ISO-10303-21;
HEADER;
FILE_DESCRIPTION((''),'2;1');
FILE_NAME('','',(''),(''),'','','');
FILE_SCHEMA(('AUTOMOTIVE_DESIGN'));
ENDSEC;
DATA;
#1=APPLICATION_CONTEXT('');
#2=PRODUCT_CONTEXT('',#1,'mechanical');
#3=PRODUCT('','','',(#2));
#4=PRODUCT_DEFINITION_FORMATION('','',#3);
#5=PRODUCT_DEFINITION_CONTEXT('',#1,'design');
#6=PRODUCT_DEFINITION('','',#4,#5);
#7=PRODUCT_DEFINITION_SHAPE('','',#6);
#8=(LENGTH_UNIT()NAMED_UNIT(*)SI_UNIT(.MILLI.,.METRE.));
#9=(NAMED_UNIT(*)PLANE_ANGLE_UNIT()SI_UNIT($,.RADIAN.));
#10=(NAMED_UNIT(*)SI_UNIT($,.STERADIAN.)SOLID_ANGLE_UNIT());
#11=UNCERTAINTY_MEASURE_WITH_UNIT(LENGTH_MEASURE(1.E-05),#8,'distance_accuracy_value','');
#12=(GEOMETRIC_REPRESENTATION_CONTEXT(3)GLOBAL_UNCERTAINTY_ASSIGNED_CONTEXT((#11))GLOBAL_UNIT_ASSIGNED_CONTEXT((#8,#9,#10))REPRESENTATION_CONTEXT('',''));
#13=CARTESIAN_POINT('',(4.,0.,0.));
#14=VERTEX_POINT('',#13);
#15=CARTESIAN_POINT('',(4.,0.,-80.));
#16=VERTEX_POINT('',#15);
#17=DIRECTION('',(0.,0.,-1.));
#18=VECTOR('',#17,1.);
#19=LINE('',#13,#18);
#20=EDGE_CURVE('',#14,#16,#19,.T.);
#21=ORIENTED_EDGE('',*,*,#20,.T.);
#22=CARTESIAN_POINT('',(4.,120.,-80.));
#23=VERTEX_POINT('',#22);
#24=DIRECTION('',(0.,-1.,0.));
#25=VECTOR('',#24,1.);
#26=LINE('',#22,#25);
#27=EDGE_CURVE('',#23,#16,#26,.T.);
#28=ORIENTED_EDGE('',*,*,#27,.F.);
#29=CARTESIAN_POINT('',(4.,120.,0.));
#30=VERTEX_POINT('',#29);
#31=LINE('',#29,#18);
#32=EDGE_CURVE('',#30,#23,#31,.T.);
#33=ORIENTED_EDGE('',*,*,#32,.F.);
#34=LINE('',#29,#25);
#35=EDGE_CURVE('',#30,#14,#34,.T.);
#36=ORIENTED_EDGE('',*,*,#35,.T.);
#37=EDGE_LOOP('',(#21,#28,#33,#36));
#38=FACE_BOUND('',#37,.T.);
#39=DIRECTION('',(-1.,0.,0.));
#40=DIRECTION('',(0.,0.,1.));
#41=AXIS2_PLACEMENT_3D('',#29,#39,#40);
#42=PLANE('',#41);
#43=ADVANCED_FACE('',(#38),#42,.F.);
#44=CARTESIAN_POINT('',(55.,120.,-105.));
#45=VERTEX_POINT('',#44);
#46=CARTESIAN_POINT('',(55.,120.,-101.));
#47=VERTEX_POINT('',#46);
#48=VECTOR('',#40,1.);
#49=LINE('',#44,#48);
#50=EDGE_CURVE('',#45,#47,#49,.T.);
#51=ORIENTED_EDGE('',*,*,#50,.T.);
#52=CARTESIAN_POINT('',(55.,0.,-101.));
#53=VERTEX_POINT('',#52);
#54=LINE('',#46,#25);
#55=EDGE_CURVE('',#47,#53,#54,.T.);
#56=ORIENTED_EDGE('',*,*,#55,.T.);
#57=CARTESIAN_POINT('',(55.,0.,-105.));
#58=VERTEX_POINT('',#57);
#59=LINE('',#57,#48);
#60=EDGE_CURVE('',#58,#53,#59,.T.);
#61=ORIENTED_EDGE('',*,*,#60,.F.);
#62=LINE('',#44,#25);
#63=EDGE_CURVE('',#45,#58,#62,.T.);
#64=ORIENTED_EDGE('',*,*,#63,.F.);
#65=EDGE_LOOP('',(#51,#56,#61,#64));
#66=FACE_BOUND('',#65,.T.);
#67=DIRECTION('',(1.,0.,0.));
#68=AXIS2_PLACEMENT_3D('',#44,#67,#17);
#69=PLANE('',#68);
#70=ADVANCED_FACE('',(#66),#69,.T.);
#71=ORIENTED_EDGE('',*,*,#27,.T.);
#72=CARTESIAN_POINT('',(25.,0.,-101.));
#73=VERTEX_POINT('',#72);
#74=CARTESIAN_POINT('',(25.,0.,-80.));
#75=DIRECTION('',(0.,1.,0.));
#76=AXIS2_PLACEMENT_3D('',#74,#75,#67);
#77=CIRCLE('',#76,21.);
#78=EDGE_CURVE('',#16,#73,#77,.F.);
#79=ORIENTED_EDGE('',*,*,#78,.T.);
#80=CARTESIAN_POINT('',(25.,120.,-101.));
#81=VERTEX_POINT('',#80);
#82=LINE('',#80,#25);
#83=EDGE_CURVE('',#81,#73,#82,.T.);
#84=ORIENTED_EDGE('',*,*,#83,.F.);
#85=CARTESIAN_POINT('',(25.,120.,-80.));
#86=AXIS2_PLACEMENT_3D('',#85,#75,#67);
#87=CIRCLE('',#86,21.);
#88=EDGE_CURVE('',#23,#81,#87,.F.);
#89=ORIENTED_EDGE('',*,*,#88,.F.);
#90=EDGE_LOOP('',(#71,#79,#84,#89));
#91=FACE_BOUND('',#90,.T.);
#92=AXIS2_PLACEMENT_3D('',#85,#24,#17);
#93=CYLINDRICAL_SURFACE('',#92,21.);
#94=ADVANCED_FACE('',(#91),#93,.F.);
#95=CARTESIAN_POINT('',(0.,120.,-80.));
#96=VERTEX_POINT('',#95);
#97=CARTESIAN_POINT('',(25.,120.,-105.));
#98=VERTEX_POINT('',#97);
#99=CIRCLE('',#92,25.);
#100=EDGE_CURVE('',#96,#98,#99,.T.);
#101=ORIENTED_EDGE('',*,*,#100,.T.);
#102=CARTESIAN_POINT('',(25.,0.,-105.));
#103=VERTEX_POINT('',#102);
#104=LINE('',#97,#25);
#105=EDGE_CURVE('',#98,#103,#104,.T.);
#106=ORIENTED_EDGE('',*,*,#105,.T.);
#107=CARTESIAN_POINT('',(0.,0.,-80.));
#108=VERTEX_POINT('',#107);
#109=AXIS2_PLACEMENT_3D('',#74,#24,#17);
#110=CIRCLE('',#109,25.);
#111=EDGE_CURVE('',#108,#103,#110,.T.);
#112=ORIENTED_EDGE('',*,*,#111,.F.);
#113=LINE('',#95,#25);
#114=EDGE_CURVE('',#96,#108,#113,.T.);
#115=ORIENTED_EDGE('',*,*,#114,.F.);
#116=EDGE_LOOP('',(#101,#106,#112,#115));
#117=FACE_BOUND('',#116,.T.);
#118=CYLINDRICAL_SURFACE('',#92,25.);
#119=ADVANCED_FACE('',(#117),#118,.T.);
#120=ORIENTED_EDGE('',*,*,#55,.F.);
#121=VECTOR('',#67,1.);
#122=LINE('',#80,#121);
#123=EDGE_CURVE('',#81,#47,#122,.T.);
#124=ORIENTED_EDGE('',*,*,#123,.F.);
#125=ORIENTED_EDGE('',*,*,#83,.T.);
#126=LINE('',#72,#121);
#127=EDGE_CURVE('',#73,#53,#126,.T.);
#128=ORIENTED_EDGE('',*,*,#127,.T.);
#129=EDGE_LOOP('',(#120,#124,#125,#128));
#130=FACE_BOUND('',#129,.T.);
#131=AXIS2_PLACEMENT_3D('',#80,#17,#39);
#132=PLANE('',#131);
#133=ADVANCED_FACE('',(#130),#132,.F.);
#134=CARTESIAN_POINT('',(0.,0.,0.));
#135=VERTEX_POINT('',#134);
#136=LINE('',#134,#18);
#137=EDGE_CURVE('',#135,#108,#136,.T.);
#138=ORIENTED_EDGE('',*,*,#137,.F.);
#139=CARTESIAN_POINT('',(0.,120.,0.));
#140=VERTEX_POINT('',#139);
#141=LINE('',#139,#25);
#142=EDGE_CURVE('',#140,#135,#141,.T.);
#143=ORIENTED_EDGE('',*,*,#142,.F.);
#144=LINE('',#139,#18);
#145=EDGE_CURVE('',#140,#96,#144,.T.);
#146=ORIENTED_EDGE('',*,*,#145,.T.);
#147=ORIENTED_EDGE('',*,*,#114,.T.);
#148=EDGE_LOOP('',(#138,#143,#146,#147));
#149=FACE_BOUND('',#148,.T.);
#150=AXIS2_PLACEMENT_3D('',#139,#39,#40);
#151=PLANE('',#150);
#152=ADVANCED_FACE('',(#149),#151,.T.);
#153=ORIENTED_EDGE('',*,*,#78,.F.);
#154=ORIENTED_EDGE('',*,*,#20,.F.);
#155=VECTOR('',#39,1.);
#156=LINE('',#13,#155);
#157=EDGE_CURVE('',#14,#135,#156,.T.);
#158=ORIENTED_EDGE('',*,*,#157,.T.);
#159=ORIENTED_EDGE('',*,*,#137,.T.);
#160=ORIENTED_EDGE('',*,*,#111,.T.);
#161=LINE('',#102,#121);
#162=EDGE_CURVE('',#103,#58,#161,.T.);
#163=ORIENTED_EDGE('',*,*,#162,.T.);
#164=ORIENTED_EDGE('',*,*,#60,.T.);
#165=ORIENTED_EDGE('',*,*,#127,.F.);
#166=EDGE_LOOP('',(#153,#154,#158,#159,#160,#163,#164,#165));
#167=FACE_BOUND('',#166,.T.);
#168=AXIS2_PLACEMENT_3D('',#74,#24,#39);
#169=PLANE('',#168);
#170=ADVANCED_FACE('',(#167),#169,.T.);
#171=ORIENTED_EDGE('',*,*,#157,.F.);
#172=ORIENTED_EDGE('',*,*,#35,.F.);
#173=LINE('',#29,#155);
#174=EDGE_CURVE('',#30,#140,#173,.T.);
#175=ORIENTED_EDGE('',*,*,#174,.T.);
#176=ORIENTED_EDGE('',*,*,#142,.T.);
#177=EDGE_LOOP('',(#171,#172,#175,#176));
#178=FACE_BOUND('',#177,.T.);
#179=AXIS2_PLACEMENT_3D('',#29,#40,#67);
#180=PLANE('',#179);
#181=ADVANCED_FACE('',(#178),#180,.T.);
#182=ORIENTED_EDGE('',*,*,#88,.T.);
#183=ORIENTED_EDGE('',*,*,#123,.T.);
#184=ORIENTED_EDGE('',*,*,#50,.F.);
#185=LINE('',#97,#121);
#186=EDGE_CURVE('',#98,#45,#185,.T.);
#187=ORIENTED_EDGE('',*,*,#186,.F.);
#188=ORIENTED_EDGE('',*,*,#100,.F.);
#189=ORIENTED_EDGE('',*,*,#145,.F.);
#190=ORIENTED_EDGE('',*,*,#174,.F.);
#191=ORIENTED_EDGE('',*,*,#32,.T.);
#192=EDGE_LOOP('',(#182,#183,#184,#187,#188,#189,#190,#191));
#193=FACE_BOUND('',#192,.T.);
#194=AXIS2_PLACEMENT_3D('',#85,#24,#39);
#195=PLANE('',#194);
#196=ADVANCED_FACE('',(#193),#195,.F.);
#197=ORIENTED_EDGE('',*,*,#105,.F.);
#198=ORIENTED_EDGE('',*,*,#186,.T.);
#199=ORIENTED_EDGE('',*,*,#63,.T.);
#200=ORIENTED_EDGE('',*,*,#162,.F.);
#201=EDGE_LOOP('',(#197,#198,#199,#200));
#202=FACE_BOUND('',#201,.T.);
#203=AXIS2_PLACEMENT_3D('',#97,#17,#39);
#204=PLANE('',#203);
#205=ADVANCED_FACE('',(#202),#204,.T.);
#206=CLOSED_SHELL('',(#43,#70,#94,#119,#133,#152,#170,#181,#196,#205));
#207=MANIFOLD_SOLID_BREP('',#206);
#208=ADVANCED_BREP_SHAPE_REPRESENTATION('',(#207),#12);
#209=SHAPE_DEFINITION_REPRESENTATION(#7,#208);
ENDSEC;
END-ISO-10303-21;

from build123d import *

# Parameters (mm, degrees)
EXTRUIR_L_MINA1_DEPTH = 120


with BuildPart() as part:
    # Croquis3 → Extruir-Lámina1 (new body)
    with BuildSketch(Plane(origin=(0, 0, 0), x_dir=(1, 0, 0), z_dir=(0, 1, 0))):
        with BuildLine():
            Line((0, 0), (0, 80))
            ThreePointArc((0, 80), (7.32233047, 97.67766953), (25, 105))
            Line((25, 105), (55, 105))
            Line((55, 105), (55, 101))
            Line((55, 101), (25, 101))
            ThreePointArc((25, 101), (10.150757595, 94.849242405), (4, 80))
            Line((4, 80), (4, 0))
            Line((4, 0), (0, 0))
        make_face()
    extrude(amount=EXTRUIR_L_MINA1_DEPTH)


solid = part.part
